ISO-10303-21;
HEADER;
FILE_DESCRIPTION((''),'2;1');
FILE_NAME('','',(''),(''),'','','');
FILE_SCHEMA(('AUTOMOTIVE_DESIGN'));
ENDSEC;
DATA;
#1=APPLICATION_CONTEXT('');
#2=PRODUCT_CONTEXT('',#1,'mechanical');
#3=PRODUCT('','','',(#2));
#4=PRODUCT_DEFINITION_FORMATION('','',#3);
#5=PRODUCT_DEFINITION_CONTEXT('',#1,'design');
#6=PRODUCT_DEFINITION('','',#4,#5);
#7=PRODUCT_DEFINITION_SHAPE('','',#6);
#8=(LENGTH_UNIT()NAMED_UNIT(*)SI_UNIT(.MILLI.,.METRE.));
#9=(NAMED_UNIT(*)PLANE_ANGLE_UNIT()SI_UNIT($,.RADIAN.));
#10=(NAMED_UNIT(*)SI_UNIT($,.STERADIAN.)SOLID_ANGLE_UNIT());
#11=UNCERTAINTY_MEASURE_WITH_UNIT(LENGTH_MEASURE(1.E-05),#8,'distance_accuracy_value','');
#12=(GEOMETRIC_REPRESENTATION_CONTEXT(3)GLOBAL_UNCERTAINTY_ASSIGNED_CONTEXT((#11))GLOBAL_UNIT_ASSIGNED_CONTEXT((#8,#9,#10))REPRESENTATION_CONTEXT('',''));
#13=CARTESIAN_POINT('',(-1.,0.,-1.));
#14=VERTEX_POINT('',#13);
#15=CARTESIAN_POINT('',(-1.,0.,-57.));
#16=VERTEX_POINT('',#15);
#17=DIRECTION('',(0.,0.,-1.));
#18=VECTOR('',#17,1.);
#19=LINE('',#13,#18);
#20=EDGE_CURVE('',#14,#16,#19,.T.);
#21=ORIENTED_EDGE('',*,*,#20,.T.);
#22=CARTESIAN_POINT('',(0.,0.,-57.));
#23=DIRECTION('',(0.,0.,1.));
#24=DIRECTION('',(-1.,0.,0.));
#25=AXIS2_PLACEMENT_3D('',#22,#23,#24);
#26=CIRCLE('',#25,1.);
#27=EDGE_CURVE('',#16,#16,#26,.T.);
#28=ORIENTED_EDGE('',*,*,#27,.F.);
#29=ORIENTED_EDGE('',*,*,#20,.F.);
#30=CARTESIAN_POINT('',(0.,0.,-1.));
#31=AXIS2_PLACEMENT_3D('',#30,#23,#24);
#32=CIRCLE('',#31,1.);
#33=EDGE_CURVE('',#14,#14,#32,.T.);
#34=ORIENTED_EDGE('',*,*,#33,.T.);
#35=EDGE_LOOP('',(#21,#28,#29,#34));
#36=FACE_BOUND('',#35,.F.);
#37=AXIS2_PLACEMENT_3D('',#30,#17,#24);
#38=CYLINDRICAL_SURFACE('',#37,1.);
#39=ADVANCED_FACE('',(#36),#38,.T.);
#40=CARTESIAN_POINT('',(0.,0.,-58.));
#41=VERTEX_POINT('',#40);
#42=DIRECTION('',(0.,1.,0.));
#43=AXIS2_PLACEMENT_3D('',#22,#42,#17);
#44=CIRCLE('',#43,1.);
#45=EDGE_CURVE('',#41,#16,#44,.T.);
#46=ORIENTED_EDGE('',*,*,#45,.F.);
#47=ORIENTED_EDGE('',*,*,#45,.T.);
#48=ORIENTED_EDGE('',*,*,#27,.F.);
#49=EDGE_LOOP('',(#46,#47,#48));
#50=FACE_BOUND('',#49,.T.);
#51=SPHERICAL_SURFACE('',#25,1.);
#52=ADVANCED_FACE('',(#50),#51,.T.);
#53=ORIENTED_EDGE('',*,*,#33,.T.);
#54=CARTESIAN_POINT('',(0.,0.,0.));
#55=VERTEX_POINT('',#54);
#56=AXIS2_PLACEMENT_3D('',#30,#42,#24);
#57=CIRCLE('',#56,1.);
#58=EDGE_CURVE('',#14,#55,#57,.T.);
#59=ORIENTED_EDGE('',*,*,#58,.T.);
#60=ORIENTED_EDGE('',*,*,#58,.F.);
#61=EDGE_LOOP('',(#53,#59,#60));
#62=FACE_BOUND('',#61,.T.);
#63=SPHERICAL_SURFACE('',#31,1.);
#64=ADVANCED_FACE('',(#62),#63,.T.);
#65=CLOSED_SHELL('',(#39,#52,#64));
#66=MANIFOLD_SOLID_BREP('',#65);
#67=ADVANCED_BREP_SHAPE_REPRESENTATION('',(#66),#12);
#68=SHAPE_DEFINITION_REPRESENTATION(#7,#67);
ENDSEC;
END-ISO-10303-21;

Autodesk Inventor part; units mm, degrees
ref_plane "YZ Plane" through (0, 0, 0) normal (1, 0, 0) x (0, 1, 0)
ref_plane "XZ Plane" through (0, 0, 0) normal (0, 1, 0) x (-1, 0, 0)
ref_plane "XY Plane" through (0, 0, 0) normal (0, 0, 1) x (1, 0, 0)
sketch "Skizze2" plane through (0, 0, 0) normal (0, 1, 0) x (-1, 0, 0)
  arc A0 (1, -1) -> (0, 0) centre (0, -1) ccw
  line L0 (1, -1) -> (1, -57)
  arc A1 (0, -58) -> (1, -57) centre (0, -57) ccw
  line L1 (0, -58) -> (0, 0)
  dimension "d3" = 1
  dimension "d4" = 58
  dimension "d5" = 2
revolve "Umdrehung1" add sketch "Skizze2" angle 360 about axis through (0, 0, -58) along (0, 0, 1)
properties part number "ventri-einsatz"
